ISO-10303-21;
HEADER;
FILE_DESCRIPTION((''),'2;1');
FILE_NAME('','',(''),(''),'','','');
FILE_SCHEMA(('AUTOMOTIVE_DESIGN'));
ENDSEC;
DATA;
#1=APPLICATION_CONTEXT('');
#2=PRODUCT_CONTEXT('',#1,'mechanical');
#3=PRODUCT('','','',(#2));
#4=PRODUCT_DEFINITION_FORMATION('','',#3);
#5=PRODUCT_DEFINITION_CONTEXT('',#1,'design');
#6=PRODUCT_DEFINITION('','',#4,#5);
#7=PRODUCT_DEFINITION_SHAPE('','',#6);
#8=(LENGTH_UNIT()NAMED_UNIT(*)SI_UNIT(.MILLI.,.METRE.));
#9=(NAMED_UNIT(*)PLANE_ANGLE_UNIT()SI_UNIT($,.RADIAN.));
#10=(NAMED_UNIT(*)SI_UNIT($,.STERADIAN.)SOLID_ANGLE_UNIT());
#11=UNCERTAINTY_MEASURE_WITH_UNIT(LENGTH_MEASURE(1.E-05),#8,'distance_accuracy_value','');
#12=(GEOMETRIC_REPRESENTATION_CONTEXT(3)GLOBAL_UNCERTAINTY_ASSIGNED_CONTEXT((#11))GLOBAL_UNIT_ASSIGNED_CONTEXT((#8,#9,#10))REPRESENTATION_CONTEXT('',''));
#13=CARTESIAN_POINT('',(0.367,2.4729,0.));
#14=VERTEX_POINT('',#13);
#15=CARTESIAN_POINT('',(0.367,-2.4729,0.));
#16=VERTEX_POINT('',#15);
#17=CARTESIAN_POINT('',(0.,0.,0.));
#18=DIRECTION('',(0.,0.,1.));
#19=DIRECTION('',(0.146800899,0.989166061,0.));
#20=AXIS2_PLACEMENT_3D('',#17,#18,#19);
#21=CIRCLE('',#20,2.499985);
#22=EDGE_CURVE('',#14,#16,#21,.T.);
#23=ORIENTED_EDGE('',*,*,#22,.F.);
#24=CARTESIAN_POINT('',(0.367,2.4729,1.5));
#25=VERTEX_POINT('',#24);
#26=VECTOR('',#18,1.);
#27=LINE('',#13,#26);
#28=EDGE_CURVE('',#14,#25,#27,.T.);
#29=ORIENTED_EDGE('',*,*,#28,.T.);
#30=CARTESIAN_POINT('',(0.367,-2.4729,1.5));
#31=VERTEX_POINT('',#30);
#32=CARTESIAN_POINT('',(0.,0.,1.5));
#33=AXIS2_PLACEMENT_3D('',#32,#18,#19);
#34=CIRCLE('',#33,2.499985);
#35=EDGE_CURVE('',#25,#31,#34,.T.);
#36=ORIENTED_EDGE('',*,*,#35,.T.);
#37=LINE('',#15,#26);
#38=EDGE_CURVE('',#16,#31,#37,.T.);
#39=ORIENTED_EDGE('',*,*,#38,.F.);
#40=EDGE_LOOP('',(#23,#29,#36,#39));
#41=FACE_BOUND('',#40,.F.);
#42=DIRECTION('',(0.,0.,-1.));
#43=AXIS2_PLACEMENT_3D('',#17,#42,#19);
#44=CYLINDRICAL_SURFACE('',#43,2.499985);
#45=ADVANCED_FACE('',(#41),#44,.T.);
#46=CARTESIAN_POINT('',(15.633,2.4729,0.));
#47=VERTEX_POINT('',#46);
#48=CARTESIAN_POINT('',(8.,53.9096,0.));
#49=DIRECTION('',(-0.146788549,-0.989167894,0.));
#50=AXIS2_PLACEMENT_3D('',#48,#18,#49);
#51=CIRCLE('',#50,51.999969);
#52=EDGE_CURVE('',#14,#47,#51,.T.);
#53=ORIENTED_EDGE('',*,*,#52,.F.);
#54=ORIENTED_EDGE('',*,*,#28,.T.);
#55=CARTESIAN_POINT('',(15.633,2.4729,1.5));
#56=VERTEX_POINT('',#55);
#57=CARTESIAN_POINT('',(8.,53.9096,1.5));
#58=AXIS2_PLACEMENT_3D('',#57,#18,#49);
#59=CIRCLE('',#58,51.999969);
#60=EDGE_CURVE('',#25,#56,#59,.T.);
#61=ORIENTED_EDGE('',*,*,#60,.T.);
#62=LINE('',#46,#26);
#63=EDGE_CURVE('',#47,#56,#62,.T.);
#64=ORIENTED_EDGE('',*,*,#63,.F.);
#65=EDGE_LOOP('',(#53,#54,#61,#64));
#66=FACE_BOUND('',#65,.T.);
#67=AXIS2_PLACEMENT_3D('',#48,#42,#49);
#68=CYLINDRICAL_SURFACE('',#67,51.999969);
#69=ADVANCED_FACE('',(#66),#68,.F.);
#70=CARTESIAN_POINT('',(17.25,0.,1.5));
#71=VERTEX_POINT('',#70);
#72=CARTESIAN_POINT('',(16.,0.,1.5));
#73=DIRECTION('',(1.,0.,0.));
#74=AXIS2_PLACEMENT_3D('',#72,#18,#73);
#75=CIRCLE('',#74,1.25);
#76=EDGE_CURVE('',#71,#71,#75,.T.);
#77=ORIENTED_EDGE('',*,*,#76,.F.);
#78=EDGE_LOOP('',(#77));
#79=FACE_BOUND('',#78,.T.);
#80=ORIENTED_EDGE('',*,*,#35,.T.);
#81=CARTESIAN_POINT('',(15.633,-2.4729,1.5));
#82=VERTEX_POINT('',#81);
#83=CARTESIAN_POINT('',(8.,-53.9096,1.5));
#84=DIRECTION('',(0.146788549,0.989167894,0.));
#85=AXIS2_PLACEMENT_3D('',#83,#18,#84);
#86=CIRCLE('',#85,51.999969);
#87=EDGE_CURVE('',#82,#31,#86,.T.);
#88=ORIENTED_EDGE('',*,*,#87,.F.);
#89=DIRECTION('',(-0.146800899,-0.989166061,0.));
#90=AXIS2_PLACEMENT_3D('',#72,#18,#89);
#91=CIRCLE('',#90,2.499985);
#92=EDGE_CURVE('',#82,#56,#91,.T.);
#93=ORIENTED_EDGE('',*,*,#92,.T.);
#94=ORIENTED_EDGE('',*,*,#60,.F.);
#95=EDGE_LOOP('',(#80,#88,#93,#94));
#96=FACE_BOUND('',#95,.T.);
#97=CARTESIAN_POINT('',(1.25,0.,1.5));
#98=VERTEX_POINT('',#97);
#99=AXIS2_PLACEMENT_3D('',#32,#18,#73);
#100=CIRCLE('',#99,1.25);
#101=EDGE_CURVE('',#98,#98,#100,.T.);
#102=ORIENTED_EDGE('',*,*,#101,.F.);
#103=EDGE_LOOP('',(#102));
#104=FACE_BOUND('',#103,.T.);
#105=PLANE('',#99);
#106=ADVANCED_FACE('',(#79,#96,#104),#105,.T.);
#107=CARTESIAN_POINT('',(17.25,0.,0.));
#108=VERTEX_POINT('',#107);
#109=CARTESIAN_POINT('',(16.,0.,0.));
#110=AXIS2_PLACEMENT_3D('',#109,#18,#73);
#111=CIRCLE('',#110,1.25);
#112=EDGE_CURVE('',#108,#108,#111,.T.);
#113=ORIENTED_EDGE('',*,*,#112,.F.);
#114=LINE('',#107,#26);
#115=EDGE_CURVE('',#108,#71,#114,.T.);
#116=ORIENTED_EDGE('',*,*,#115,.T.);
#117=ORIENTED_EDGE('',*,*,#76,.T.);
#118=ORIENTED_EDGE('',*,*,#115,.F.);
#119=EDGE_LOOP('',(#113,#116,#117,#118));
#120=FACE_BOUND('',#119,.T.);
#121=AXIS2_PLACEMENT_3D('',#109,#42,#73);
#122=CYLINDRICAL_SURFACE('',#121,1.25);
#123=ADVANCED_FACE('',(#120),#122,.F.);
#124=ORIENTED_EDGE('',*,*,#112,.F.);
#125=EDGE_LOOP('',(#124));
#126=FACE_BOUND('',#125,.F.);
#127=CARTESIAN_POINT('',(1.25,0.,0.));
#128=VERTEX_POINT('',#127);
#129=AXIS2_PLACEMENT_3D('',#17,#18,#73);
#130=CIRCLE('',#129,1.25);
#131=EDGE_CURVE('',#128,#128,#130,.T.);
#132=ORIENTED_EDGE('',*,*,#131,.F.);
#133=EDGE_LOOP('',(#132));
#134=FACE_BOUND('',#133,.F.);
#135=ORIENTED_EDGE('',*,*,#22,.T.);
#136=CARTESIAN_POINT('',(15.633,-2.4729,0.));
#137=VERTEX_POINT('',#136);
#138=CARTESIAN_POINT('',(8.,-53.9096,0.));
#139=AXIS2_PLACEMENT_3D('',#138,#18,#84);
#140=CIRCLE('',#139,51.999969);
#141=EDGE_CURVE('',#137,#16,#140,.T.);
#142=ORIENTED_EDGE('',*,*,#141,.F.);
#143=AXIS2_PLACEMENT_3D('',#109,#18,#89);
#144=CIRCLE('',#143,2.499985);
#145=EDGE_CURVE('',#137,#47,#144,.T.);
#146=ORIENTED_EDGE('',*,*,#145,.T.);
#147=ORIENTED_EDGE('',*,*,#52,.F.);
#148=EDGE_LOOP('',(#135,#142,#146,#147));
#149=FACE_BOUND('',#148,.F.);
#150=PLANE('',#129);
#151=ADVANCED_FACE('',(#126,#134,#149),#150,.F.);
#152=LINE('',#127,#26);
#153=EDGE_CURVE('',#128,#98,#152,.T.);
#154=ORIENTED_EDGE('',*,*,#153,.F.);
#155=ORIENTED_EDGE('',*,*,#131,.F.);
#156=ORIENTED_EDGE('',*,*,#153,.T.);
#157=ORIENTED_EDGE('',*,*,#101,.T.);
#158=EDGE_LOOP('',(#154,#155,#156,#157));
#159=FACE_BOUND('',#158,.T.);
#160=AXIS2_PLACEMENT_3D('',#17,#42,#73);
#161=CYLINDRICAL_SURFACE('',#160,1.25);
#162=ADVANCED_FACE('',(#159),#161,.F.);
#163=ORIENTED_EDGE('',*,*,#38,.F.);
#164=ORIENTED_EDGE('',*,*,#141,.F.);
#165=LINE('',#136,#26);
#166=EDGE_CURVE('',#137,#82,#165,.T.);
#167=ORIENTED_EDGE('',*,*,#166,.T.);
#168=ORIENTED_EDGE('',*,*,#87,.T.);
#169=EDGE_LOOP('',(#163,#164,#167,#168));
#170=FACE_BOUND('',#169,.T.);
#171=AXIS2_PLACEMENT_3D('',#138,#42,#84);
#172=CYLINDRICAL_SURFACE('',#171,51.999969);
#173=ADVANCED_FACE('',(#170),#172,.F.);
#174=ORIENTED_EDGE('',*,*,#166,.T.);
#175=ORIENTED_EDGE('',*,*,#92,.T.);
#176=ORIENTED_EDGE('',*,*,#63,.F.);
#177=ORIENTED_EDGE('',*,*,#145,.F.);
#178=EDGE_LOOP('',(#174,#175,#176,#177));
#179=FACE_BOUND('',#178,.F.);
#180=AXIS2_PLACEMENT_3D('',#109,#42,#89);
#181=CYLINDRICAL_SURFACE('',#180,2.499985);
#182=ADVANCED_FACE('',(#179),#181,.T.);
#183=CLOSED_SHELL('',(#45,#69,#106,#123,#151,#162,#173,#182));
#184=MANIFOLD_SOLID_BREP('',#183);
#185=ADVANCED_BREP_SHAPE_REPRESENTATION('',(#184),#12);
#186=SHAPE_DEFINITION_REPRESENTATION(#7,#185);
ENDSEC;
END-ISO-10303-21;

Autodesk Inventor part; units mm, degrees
ref_plane "YZ Plane" through (0, 0, 0) normal (1, 0, 0) x (0, 1, 0)
ref_plane "XZ Plane" through (0, 0, 0) normal (0, 1, 0) x (-1, 0, 0)
ref_plane "XY Plane" through (0, 0, 0) normal (0, 0, 1) x (1, 0, 0)
sketch "Sketch1" plane through (0, 0, 0) normal (0, 0, 1) x (1, 0, 0)
  circle A0 centre (0, 0) radius 1.25
  line L0 (0, 0) -> (16, 0) construction
  circle A1 centre (16, 0) radius 1.25
  arc A2 (0.367, 2.4729) -> (0.367, -2.4729) centre (0, 0) ccw
  arc A3 (15.633, -2.4729) -> (15.633, 2.4729) centre (16, 0) ccw
  arc A4 (0.367, 2.4729) -> (15.633, 2.4729) centre (8, 53.9096) ccw
  arc A5 (15.633, -2.4729) -> (0.367, -2.4729) centre (8, -53.9096) ccw
  dimension "d0" = 2.5
  dimension "d1" = 16
  dimension "d8" = 5
  dimension "d15" = 52
extrude "Extrusion1" add sketch "Sketch1" along normal blind 1.5
properties part number "linkageB"
